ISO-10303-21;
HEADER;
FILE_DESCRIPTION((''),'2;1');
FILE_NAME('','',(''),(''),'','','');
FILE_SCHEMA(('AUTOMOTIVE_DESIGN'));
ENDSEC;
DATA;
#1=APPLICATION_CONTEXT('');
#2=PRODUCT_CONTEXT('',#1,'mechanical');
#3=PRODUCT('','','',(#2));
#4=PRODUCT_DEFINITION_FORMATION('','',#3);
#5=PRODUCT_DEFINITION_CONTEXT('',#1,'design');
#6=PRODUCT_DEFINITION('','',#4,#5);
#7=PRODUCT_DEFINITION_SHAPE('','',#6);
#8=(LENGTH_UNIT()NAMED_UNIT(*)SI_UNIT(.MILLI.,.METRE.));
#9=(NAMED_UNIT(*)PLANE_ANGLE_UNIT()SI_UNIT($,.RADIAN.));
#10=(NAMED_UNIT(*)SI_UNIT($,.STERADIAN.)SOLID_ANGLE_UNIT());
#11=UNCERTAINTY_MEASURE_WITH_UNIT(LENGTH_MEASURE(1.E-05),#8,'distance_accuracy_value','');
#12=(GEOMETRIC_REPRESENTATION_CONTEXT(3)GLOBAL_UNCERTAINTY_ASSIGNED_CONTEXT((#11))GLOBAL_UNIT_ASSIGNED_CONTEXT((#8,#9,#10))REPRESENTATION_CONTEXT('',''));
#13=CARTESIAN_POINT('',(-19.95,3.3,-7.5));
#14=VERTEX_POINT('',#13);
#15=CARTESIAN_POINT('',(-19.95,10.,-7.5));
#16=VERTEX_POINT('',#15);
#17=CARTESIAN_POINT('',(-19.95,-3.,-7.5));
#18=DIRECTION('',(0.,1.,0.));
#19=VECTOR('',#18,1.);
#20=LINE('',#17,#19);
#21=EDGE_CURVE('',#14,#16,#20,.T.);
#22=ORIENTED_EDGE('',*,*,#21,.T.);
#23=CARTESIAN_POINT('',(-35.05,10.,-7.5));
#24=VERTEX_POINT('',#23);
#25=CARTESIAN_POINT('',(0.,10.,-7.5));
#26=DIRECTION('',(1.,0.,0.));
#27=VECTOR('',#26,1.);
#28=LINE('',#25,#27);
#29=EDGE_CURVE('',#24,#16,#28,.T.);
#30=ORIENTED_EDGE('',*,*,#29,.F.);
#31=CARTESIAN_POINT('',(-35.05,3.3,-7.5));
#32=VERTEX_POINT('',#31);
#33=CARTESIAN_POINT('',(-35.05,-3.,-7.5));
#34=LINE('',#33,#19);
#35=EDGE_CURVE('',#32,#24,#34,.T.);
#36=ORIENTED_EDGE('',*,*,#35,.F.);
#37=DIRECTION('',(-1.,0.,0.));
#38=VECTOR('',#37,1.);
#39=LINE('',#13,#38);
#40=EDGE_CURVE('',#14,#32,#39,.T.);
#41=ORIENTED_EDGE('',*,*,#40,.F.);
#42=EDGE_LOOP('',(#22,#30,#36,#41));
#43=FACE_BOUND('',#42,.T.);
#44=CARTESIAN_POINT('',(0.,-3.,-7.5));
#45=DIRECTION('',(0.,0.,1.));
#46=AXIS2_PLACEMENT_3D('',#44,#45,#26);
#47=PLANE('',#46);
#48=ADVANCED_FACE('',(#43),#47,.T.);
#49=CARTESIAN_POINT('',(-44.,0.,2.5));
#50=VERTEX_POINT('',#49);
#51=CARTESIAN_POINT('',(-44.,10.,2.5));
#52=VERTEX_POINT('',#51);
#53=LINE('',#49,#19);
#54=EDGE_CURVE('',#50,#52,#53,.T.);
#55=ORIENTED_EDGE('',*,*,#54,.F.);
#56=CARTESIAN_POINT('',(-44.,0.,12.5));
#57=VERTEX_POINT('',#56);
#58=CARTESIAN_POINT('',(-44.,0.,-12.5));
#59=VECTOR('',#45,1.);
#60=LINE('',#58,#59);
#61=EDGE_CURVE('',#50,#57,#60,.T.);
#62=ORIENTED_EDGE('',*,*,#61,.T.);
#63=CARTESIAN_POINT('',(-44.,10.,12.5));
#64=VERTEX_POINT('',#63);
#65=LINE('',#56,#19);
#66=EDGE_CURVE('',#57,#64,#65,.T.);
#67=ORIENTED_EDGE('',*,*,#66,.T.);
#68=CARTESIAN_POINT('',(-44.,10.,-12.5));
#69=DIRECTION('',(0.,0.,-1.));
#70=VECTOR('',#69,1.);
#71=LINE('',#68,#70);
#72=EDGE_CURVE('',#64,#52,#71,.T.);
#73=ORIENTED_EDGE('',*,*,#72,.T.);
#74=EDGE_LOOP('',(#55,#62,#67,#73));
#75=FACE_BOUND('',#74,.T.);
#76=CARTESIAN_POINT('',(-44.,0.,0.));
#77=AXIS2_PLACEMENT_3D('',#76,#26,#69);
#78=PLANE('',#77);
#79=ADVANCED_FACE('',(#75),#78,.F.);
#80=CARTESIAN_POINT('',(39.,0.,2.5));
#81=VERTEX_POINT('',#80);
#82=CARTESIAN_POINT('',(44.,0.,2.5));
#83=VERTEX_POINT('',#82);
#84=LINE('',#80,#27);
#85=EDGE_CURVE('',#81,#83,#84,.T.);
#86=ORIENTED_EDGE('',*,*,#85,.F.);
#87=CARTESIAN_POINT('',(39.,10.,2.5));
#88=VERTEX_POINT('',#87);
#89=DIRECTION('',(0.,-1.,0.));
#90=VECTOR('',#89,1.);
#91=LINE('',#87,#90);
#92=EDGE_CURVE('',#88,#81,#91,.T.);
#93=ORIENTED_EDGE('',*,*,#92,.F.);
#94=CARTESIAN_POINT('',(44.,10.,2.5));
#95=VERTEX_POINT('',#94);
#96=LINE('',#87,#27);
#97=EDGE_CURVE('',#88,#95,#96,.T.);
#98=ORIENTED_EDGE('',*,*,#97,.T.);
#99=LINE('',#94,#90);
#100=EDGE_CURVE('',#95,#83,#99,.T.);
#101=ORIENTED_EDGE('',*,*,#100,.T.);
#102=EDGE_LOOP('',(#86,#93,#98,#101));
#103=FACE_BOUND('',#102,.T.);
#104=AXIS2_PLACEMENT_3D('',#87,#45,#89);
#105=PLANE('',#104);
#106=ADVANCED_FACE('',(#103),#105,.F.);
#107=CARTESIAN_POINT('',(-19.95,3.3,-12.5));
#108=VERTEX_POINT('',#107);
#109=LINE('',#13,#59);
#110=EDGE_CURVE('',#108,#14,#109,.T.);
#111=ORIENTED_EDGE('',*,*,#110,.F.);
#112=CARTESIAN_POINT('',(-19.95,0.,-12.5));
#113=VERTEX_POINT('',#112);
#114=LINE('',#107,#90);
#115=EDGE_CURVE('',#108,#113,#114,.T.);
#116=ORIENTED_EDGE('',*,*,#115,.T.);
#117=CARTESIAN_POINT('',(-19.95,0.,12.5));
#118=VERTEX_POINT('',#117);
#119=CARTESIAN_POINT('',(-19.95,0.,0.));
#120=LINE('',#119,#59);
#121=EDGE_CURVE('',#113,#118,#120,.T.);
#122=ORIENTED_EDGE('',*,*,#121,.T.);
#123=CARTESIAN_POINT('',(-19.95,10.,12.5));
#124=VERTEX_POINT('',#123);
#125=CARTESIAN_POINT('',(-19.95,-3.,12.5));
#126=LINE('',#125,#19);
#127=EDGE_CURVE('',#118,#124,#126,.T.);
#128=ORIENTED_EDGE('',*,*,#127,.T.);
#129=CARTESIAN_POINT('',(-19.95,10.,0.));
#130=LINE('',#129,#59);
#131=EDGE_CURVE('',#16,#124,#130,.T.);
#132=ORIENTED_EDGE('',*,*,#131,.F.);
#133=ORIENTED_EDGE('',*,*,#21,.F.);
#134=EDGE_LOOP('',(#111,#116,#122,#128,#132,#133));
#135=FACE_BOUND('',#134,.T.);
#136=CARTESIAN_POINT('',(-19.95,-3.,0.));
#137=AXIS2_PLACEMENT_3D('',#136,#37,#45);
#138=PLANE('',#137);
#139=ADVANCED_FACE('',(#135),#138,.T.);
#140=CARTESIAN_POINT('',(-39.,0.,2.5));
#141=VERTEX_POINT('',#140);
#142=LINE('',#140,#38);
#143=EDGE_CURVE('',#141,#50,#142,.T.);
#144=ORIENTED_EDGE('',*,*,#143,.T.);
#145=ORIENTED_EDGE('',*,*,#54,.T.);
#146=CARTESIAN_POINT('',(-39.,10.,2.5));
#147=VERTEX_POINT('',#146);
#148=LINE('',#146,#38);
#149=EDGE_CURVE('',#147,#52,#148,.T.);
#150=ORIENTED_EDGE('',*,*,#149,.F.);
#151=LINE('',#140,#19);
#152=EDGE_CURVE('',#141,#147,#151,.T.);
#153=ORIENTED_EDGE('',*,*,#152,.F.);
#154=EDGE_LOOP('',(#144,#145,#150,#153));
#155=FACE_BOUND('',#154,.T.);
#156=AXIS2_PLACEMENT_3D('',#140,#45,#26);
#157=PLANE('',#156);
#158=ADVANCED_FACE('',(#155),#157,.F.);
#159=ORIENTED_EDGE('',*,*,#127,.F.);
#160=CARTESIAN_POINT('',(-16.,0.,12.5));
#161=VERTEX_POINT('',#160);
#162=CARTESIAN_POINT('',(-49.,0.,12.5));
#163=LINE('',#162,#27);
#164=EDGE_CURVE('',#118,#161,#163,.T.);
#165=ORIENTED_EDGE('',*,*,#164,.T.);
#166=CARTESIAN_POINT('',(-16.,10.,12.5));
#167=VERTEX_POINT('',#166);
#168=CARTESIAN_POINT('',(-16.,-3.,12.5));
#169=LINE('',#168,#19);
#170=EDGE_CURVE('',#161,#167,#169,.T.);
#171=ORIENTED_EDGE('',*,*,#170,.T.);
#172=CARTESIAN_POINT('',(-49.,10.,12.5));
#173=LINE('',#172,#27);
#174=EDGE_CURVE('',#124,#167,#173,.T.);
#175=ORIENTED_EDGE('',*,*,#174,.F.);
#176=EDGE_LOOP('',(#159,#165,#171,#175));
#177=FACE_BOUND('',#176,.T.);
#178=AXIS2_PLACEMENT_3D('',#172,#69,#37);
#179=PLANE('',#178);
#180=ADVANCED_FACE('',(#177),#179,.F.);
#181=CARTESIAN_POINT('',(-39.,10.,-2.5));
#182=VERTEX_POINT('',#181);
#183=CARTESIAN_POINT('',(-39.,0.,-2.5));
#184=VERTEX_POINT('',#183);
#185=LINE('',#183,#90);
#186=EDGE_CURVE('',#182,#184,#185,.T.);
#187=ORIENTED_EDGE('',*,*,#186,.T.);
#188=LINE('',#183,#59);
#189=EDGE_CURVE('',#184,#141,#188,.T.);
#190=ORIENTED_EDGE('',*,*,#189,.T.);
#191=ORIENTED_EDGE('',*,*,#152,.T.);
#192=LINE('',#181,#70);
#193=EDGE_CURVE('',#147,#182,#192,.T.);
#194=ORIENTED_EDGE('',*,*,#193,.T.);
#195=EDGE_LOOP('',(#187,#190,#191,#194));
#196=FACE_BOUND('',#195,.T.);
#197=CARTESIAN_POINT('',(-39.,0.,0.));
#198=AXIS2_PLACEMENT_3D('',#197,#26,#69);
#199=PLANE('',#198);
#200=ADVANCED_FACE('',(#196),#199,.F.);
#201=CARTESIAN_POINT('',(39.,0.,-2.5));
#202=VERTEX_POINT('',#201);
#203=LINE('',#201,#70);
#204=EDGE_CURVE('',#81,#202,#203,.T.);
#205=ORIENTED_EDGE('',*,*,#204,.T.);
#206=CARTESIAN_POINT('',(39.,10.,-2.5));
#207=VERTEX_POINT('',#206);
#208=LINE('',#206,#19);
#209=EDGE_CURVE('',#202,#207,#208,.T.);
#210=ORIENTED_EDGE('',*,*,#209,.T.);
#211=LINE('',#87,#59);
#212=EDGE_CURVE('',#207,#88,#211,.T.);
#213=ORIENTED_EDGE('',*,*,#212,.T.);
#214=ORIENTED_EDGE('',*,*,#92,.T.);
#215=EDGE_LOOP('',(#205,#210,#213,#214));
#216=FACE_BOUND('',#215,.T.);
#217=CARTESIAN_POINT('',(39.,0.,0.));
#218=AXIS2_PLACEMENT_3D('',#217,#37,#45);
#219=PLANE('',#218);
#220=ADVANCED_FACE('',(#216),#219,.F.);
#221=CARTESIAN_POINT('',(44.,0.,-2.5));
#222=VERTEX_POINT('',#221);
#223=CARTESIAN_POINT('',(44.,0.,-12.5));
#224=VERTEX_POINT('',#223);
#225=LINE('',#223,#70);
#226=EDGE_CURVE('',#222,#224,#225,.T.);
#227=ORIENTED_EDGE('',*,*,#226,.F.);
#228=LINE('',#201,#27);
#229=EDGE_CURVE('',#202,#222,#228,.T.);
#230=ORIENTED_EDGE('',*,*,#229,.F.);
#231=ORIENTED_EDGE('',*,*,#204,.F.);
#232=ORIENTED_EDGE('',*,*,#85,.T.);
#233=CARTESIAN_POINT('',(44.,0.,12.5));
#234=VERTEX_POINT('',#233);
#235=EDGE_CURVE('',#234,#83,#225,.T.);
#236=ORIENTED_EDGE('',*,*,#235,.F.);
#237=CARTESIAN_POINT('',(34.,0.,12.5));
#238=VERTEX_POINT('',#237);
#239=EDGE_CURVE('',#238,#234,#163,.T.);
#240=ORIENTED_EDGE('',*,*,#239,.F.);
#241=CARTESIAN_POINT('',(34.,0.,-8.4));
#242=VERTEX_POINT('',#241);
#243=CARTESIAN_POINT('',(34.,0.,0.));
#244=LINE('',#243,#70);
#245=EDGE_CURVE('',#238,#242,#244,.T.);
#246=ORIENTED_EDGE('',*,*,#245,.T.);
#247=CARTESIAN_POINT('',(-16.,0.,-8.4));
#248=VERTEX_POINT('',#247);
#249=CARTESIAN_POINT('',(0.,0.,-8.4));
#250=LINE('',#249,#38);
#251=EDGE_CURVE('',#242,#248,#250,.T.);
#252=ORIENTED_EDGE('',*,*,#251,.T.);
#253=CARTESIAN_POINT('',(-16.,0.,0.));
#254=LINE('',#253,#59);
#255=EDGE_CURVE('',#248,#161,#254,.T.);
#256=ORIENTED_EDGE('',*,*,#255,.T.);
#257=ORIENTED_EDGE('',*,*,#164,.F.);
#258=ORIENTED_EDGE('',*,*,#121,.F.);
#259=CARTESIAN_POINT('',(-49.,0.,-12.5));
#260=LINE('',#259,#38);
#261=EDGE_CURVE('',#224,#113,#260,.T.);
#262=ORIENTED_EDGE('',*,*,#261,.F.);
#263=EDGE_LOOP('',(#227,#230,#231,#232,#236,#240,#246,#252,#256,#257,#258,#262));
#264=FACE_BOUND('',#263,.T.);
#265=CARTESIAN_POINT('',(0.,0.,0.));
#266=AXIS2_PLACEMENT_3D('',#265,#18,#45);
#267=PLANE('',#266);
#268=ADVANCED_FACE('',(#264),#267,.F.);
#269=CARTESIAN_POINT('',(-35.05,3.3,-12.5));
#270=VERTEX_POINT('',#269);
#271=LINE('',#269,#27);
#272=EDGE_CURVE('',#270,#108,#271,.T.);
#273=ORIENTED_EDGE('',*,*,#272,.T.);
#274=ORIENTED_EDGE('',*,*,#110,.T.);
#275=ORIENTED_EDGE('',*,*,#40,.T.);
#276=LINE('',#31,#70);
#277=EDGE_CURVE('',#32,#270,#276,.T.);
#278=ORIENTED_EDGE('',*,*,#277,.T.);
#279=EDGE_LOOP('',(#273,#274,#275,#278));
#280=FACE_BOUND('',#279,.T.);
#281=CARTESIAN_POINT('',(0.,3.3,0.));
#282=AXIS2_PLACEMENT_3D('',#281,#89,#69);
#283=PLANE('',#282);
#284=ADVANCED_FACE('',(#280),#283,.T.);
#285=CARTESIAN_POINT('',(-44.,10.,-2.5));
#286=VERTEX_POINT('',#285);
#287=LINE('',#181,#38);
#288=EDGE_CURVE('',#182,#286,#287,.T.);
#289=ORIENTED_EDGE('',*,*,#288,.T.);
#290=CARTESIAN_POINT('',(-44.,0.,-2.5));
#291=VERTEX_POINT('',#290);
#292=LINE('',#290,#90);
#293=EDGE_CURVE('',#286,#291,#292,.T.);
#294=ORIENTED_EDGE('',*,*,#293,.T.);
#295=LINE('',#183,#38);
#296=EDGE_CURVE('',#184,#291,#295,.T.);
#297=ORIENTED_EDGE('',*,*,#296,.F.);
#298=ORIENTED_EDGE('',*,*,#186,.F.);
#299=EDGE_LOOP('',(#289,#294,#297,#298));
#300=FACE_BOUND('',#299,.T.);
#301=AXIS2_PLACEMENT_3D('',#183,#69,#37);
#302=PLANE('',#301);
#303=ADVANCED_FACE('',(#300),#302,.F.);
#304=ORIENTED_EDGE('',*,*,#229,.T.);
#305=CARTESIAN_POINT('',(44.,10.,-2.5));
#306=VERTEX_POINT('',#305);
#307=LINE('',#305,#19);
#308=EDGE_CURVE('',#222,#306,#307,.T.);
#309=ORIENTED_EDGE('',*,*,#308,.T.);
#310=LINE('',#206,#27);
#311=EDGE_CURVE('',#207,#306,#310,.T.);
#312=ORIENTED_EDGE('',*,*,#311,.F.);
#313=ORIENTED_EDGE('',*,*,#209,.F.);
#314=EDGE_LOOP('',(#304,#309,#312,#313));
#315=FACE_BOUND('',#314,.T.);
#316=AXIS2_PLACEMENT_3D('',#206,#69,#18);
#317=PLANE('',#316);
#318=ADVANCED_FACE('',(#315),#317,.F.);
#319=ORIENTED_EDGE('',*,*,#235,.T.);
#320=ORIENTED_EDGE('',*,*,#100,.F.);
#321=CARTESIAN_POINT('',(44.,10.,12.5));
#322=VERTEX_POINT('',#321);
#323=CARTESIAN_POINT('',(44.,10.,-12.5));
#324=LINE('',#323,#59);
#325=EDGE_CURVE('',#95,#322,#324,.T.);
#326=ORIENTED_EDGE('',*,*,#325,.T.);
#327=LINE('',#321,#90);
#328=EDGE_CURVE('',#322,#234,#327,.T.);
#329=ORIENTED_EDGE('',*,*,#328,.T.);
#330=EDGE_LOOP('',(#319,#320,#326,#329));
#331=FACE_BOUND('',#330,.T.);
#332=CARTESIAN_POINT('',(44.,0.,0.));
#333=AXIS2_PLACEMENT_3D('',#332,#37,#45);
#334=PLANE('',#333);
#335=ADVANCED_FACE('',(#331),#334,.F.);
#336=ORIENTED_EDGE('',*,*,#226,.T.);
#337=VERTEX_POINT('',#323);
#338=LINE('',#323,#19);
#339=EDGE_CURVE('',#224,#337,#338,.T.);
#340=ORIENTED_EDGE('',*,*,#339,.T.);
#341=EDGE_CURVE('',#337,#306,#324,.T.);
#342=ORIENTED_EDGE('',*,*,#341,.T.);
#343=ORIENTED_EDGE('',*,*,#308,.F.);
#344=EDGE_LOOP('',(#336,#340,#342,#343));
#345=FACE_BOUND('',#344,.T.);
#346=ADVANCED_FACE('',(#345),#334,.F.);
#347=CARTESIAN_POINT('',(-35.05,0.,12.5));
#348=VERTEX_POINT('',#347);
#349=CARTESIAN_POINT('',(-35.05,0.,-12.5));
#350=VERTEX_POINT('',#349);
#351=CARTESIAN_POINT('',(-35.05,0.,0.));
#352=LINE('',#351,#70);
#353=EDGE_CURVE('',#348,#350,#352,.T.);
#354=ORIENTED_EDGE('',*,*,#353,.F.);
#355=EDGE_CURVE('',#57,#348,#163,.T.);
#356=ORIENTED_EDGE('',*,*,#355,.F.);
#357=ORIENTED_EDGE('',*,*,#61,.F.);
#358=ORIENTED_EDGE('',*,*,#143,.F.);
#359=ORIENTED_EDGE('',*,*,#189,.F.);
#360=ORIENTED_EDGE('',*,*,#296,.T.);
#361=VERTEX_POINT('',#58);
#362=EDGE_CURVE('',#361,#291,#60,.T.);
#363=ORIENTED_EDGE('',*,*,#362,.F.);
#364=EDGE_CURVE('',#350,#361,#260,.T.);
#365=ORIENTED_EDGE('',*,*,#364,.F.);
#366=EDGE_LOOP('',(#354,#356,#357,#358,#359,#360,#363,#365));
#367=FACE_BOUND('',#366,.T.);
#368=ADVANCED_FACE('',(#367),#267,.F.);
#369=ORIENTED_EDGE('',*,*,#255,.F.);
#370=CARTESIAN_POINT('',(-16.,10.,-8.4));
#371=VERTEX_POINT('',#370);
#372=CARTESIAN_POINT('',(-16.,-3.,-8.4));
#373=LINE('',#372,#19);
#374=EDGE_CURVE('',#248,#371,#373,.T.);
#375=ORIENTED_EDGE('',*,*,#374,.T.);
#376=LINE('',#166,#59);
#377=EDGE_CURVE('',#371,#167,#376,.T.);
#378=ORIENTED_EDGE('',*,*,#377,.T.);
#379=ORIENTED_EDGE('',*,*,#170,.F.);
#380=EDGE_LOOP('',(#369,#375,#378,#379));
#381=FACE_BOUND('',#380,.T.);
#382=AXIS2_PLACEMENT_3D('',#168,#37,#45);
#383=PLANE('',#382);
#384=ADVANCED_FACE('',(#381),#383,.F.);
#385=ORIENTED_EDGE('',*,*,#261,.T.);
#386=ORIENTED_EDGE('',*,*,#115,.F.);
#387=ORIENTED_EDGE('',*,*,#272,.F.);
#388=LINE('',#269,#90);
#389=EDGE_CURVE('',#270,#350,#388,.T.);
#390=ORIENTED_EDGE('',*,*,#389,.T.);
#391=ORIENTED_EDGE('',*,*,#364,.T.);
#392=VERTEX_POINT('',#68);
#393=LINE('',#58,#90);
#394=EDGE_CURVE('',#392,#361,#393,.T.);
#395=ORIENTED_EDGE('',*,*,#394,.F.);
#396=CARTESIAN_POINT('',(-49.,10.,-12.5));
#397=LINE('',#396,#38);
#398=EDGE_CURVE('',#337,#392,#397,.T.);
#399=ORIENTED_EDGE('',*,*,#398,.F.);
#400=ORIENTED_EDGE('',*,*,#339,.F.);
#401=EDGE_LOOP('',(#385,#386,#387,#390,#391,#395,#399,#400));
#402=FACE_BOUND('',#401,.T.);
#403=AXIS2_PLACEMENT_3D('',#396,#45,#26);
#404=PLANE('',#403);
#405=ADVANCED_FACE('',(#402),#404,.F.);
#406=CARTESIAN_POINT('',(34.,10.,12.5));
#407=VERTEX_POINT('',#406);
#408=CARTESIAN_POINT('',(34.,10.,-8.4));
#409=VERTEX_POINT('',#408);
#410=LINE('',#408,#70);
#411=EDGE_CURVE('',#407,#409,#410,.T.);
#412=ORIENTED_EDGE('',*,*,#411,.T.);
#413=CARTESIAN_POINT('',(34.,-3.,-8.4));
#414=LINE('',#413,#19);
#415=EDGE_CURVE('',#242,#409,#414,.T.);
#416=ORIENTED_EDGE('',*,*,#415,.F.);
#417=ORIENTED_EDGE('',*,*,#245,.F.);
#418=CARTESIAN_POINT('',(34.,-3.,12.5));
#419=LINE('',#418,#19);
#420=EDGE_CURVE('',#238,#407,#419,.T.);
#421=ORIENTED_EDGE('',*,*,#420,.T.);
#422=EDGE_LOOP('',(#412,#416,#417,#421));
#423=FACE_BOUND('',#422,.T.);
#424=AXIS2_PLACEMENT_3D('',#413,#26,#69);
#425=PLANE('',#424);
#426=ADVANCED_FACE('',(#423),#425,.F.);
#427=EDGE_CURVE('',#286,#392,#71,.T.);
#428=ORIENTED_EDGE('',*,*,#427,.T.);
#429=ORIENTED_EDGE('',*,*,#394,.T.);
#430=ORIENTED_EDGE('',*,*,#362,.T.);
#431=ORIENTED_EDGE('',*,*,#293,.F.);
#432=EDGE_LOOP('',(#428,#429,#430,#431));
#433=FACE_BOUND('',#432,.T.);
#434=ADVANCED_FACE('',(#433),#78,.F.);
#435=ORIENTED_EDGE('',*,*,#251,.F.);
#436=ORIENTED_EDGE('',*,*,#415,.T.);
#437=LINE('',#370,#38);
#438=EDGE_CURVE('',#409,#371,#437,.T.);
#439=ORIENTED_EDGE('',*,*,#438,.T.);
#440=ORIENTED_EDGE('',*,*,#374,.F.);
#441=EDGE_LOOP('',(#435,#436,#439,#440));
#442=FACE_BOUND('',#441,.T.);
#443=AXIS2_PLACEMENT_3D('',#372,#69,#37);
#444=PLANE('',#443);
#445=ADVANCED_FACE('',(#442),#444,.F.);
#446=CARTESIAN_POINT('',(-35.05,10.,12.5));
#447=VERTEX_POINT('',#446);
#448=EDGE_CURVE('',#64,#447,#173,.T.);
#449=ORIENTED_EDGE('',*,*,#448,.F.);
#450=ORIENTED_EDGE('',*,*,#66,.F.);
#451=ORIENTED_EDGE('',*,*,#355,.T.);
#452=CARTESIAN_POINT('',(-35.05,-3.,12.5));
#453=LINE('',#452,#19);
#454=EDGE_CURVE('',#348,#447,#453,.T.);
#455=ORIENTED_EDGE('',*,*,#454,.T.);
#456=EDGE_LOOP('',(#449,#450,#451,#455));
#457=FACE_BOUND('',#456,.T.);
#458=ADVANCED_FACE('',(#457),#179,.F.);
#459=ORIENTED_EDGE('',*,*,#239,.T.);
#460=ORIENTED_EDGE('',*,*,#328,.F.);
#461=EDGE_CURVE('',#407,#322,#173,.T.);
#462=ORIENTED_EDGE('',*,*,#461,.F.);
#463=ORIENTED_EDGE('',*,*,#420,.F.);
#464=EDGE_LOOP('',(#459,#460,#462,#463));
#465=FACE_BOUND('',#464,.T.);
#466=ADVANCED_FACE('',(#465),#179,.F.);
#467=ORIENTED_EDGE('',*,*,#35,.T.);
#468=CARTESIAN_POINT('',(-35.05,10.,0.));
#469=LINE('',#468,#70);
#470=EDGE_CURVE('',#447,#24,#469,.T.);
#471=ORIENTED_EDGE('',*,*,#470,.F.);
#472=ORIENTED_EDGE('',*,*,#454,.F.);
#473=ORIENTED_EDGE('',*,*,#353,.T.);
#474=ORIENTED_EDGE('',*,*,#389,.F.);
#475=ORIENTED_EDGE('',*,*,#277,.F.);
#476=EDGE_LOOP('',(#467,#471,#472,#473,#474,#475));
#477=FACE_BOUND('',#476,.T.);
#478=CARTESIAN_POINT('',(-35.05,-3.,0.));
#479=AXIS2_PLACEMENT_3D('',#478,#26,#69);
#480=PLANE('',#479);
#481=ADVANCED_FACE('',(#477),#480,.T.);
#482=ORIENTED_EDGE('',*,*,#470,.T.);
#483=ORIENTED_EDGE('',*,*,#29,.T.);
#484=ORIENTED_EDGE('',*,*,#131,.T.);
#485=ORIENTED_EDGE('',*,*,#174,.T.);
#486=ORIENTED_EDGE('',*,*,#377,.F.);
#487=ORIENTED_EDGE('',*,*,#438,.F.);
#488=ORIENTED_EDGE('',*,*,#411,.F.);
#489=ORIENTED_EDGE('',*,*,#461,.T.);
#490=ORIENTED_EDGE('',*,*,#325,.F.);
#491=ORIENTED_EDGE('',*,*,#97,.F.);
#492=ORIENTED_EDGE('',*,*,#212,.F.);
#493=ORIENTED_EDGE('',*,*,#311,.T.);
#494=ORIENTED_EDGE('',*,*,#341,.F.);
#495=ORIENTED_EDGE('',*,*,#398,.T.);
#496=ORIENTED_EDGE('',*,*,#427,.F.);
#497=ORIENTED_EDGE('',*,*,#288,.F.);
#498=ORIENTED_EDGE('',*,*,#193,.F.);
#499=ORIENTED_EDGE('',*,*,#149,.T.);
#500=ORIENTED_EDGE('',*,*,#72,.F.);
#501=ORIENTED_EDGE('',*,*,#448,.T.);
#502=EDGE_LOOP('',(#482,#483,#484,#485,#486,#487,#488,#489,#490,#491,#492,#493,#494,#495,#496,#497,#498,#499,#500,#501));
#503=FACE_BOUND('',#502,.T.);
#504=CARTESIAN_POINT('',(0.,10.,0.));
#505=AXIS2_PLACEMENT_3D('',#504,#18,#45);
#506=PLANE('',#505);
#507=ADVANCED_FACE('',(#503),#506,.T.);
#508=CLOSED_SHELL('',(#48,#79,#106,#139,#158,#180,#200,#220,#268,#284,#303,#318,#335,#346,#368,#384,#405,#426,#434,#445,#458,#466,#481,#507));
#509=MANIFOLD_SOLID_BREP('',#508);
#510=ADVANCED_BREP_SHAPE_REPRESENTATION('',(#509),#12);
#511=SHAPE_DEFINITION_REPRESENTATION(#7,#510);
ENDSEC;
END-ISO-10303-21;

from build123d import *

# Parameters (mm, degrees)
SKETCH1_W           = 98
SKETCH1_H           = 25
BOSS_EXTRUDE1_DEPTH = 10
SKETCH4_W           = 25
SKETCH4_H           = 10
CUT_EXTRUDE6_DEPTH  = 5
SKETCH5_W           = 25
SKETCH5_H           = 10
CUT_EXTRUDE7_DEPTH  = 5
SKETCH6_W           = 5
SKETCH6_H           = 10
CUT_EXTRUDE8_DEPTH  = 5
SKETCH7_W           = 5
SKETCH7_H           = 10
CUT_EXTRUDE9_DEPTH  = 5
SKETCH8_W           = 50
SKETCH8_H           = 20.9
CUT_EXTRUDE10_DEPTH = 13
SKETCH9_W           = 15.1
SKETCH9_H           = 7.5
SKETCH9_H_2         = 12.5
CUT_EXTRUDE11_DEPTH = 13
SKETCH10_W          = 15.1
SKETCH10_H          = 5
CUT_EXTRUDE12_DEPTH = 3.3


with BuildPart() as part:
    # Sketch1 → Boss-Extrude1 (new body)
    with BuildSketch(Plane(origin=(0, 0, 0), x_dir=(1, 0, 0), z_dir=(0, 1, 0))):
        Rectangle(SKETCH1_W, SKETCH1_H)
    extrude(amount=BOSS_EXTRUDE1_DEPTH)

    # Sketch4 → Cut-Extrude6 (cut)
    with BuildSketch(Plane.ZY.offset(49)):
        with Locations((0, 5)):
            Rectangle(SKETCH4_W, SKETCH4_H)
    extrude(amount=-CUT_EXTRUDE6_DEPTH, mode=Mode.SUBTRACT)

    # Sketch5 → Cut-Extrude7 (cut)
    with BuildSketch(Plane(origin=(49, 0, 0), x_dir=(0, 0, -1), z_dir=(1, 0, 0))):
        with Locations((0, 5)):
            Rectangle(SKETCH5_W, SKETCH5_H)
    extrude(amount=-CUT_EXTRUDE7_DEPTH, mode=Mode.SUBTRACT)

    # Sketch6 → Cut-Extrude8 (cut)
    with BuildSketch(Plane(origin=(44, 0, 0), x_dir=(0, 0, -1), z_dir=(1, 0, 0))):
        with Locations((0, 5)):
            Rectangle(SKETCH6_W, SKETCH6_H)
    extrude(amount=-CUT_EXTRUDE8_DEPTH, mode=Mode.SUBTRACT)

    # Sketch7 → Cut-Extrude9 (cut)
    with BuildSketch(Plane.ZY.offset(44)):
        with Locations((0, 5)):
            Rectangle(SKETCH7_W, SKETCH7_H)
    extrude(amount=-CUT_EXTRUDE9_DEPTH, mode=Mode.SUBTRACT)

    # Sketch8 → Cut-Extrude10 (cut)
    with BuildSketch(Plane(origin=(0, 10, 0), x_dir=(1, 0, 0), z_dir=(0, 1, 0))):
        with Locations((9, -2.05)):
            Rectangle(SKETCH8_W, SKETCH8_H)
    extrude(amount=-CUT_EXTRUDE10_DEPTH, mode=Mode.SUBTRACT)

    # Sketch9 → Cut-Extrude11 (cut)
    with BuildSketch(Plane(origin=(0, 10, 0), x_dir=(1, 0, 0), z_dir=(0, 1, 0))):
        with Locations((-27.5, 3.75)):
            Rectangle(SKETCH9_W, SKETCH9_H)
        with Locations((-27.5, -6.25)):
            Rectangle(SKETCH9_W, SKETCH9_H_2)
    extrude(amount=-CUT_EXTRUDE11_DEPTH, mode=Mode.SUBTRACT)

    # Sketch10 → Cut-Extrude12 (cut)
    with BuildSketch(Plane.XZ):
        with Locations((-27.5, -10)):
            Rectangle(SKETCH10_W, SKETCH10_H)
    extrude(amount=-CUT_EXTRUDE12_DEPTH, mode=Mode.SUBTRACT)


solid = part.part
